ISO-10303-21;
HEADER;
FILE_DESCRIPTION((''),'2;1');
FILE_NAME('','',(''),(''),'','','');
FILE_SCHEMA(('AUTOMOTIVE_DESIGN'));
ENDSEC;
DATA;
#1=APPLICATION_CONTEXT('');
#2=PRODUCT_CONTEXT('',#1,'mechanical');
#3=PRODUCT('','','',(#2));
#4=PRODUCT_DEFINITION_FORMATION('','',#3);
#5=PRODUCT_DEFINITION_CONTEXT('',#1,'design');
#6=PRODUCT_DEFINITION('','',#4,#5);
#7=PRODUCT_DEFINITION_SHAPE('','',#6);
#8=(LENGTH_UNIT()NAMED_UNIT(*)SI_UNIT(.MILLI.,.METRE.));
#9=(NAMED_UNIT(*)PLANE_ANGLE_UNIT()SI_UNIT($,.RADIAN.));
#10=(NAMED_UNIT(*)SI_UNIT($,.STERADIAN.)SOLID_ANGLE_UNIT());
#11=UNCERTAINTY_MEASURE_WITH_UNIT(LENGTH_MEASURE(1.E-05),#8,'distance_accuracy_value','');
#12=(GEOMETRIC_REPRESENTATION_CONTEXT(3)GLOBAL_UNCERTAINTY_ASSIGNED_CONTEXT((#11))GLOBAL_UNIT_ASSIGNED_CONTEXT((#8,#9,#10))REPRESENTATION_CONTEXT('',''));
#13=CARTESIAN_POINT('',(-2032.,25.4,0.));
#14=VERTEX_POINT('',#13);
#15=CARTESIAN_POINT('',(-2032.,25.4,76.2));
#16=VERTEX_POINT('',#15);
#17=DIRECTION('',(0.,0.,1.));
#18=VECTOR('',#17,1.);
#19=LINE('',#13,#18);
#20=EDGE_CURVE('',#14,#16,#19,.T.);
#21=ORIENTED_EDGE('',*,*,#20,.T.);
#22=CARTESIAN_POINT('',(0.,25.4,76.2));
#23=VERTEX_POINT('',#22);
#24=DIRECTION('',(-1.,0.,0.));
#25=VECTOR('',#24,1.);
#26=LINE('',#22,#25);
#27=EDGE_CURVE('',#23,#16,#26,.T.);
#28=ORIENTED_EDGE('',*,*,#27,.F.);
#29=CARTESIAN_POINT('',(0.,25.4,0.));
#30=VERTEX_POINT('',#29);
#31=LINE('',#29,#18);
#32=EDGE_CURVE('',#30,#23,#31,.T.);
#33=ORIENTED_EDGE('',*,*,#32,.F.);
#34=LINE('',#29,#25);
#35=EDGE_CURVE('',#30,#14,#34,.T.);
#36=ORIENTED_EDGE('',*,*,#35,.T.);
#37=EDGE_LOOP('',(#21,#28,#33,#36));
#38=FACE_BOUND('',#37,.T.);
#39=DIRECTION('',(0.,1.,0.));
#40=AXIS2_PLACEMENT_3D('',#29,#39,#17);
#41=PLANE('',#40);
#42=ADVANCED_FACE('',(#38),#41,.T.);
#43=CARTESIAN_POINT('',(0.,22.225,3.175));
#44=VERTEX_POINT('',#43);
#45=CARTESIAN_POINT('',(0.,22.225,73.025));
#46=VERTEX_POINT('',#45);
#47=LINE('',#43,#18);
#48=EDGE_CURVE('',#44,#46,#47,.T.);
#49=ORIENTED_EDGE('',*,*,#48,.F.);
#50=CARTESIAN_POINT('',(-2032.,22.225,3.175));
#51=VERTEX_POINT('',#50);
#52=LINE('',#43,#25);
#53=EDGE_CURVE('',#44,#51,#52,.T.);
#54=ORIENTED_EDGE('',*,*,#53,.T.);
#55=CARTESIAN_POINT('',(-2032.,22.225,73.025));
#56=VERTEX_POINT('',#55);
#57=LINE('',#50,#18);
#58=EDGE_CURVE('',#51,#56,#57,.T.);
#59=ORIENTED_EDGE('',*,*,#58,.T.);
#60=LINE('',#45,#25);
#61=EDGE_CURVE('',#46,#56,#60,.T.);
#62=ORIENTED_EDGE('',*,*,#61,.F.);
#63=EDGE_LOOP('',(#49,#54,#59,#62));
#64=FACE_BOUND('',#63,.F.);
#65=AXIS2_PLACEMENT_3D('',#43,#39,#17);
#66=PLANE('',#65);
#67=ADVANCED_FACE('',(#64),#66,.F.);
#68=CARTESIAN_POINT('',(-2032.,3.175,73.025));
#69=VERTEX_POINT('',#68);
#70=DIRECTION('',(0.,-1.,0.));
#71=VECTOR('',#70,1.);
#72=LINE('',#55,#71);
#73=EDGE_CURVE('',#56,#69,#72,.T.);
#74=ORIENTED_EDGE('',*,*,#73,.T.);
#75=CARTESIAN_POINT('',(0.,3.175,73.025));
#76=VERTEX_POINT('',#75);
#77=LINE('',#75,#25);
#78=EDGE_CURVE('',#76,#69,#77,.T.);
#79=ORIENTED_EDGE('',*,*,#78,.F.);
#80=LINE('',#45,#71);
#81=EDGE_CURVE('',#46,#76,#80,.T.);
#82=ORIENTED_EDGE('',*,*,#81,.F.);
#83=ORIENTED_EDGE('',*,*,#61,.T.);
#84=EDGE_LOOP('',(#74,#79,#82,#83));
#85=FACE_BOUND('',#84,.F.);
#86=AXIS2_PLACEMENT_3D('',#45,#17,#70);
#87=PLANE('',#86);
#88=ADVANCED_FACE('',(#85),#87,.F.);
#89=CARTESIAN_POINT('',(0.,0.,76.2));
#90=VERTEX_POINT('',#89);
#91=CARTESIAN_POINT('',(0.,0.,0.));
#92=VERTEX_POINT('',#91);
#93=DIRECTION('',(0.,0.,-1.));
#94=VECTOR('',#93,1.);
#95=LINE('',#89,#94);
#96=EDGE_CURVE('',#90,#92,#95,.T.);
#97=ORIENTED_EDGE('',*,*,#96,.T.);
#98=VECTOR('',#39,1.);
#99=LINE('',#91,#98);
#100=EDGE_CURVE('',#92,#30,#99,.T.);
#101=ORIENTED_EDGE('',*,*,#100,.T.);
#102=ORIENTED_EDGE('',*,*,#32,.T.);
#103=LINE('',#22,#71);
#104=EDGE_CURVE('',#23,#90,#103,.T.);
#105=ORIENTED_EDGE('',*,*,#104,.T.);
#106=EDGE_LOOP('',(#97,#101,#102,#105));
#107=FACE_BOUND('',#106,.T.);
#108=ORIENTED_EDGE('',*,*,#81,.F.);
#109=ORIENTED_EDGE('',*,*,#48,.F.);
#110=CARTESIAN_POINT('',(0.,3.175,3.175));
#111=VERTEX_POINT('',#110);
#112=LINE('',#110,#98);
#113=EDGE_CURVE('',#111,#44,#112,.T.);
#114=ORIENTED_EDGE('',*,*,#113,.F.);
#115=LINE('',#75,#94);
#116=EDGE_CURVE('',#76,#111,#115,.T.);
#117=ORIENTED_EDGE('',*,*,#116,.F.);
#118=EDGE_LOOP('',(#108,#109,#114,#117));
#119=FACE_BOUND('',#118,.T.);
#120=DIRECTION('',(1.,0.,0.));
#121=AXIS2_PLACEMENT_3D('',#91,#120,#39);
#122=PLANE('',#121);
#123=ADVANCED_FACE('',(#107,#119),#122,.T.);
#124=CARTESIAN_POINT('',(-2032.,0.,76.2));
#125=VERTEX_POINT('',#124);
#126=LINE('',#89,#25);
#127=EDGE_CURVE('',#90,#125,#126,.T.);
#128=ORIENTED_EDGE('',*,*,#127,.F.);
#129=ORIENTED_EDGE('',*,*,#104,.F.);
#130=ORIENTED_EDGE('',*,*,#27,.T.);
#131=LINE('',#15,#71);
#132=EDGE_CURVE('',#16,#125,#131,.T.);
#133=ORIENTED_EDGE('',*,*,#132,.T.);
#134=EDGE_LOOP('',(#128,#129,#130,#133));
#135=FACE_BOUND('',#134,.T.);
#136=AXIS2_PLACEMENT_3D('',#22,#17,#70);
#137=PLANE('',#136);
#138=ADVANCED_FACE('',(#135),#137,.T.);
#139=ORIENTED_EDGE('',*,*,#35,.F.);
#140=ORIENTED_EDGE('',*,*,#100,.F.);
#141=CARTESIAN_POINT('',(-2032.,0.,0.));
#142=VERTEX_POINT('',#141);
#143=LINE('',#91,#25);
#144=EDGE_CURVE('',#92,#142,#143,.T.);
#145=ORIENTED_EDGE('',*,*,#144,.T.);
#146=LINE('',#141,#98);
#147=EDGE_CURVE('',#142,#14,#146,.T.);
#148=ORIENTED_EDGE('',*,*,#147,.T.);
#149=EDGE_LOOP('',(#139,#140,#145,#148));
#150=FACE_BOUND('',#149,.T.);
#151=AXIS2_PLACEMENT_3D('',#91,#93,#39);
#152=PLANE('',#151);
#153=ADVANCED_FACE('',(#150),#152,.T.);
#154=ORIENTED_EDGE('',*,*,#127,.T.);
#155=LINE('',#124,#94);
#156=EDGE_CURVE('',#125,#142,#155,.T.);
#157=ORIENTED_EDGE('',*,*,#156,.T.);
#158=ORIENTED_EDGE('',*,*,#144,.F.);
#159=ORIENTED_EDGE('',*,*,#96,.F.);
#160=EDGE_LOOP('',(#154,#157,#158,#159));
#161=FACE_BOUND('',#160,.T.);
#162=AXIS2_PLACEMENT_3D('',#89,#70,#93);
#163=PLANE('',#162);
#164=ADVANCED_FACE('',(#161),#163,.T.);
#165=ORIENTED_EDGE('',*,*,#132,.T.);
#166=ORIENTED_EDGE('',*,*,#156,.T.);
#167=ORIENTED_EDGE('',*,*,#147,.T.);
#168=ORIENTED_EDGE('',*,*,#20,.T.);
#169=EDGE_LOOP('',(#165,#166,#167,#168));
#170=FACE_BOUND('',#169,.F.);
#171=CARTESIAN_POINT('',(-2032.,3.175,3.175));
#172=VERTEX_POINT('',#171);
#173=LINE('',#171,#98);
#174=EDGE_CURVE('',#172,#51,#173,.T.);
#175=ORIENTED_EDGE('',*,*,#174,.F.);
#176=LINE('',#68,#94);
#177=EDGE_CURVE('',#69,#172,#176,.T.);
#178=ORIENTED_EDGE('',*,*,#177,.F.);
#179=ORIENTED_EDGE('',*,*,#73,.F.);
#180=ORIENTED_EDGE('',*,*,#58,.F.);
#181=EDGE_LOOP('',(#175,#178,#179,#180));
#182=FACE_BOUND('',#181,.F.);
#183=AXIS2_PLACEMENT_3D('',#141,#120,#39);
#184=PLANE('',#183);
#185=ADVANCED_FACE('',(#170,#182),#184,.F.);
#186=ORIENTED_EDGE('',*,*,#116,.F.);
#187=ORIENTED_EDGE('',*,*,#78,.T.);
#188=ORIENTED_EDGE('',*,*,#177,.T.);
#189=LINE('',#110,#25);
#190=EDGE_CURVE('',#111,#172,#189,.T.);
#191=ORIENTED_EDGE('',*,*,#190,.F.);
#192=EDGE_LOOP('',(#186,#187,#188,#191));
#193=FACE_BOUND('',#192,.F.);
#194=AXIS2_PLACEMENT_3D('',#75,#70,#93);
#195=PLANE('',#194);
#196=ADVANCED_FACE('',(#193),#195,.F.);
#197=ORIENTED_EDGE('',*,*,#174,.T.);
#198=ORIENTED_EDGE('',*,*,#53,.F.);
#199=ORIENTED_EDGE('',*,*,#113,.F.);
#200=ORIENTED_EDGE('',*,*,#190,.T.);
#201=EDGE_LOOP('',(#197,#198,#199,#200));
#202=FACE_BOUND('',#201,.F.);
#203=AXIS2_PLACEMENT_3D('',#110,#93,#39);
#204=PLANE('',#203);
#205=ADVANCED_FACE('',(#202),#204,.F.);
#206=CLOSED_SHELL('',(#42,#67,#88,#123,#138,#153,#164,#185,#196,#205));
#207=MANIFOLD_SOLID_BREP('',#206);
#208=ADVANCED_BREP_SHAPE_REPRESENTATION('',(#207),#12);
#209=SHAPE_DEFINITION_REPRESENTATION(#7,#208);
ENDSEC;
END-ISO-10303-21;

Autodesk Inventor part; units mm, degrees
ref_plane "YZ Plane" through (0, 0, 0) normal (1, 0, 0) x (0, 1, 0)
ref_plane "XZ Plane" through (0, 0, 0) normal (0, 1, 0) x (-1, 0, 0)
ref_plane "XY Plane" through (0, 0, 0) normal (0, 0, 1) x (1, 0, 0)
sketch "Sketch1" plane through (0, 0, 0) normal (1, 0, 0) x (0, 1, 0)
  line L0 (0, 0) -> (25.4, 0)
  line L1 (25.4, 0) -> (25.4, 76.2)
  line L2 (25.4, 76.2) -> (0, 76.2)
  line L3 (0, 76.2) -> (0, 0)
  line L4 (3.175, 3.175) -> (22.225, 3.175)
  line L5 (22.225, 3.175) -> (22.225, 73.025)
  line L6 (22.225, 73.025) -> (3.175, 73.025)
  line L7 (3.175, 73.025) -> (3.175, 3.175)
  dimension "d0" = 25.4
  dimension "d1" = 76.2
  dimension "d2" = 3.175
extrude "Extrusion1" add sketch "Sketch1" against normal blind 2032
properties part number "squareTube_1x2-01"
